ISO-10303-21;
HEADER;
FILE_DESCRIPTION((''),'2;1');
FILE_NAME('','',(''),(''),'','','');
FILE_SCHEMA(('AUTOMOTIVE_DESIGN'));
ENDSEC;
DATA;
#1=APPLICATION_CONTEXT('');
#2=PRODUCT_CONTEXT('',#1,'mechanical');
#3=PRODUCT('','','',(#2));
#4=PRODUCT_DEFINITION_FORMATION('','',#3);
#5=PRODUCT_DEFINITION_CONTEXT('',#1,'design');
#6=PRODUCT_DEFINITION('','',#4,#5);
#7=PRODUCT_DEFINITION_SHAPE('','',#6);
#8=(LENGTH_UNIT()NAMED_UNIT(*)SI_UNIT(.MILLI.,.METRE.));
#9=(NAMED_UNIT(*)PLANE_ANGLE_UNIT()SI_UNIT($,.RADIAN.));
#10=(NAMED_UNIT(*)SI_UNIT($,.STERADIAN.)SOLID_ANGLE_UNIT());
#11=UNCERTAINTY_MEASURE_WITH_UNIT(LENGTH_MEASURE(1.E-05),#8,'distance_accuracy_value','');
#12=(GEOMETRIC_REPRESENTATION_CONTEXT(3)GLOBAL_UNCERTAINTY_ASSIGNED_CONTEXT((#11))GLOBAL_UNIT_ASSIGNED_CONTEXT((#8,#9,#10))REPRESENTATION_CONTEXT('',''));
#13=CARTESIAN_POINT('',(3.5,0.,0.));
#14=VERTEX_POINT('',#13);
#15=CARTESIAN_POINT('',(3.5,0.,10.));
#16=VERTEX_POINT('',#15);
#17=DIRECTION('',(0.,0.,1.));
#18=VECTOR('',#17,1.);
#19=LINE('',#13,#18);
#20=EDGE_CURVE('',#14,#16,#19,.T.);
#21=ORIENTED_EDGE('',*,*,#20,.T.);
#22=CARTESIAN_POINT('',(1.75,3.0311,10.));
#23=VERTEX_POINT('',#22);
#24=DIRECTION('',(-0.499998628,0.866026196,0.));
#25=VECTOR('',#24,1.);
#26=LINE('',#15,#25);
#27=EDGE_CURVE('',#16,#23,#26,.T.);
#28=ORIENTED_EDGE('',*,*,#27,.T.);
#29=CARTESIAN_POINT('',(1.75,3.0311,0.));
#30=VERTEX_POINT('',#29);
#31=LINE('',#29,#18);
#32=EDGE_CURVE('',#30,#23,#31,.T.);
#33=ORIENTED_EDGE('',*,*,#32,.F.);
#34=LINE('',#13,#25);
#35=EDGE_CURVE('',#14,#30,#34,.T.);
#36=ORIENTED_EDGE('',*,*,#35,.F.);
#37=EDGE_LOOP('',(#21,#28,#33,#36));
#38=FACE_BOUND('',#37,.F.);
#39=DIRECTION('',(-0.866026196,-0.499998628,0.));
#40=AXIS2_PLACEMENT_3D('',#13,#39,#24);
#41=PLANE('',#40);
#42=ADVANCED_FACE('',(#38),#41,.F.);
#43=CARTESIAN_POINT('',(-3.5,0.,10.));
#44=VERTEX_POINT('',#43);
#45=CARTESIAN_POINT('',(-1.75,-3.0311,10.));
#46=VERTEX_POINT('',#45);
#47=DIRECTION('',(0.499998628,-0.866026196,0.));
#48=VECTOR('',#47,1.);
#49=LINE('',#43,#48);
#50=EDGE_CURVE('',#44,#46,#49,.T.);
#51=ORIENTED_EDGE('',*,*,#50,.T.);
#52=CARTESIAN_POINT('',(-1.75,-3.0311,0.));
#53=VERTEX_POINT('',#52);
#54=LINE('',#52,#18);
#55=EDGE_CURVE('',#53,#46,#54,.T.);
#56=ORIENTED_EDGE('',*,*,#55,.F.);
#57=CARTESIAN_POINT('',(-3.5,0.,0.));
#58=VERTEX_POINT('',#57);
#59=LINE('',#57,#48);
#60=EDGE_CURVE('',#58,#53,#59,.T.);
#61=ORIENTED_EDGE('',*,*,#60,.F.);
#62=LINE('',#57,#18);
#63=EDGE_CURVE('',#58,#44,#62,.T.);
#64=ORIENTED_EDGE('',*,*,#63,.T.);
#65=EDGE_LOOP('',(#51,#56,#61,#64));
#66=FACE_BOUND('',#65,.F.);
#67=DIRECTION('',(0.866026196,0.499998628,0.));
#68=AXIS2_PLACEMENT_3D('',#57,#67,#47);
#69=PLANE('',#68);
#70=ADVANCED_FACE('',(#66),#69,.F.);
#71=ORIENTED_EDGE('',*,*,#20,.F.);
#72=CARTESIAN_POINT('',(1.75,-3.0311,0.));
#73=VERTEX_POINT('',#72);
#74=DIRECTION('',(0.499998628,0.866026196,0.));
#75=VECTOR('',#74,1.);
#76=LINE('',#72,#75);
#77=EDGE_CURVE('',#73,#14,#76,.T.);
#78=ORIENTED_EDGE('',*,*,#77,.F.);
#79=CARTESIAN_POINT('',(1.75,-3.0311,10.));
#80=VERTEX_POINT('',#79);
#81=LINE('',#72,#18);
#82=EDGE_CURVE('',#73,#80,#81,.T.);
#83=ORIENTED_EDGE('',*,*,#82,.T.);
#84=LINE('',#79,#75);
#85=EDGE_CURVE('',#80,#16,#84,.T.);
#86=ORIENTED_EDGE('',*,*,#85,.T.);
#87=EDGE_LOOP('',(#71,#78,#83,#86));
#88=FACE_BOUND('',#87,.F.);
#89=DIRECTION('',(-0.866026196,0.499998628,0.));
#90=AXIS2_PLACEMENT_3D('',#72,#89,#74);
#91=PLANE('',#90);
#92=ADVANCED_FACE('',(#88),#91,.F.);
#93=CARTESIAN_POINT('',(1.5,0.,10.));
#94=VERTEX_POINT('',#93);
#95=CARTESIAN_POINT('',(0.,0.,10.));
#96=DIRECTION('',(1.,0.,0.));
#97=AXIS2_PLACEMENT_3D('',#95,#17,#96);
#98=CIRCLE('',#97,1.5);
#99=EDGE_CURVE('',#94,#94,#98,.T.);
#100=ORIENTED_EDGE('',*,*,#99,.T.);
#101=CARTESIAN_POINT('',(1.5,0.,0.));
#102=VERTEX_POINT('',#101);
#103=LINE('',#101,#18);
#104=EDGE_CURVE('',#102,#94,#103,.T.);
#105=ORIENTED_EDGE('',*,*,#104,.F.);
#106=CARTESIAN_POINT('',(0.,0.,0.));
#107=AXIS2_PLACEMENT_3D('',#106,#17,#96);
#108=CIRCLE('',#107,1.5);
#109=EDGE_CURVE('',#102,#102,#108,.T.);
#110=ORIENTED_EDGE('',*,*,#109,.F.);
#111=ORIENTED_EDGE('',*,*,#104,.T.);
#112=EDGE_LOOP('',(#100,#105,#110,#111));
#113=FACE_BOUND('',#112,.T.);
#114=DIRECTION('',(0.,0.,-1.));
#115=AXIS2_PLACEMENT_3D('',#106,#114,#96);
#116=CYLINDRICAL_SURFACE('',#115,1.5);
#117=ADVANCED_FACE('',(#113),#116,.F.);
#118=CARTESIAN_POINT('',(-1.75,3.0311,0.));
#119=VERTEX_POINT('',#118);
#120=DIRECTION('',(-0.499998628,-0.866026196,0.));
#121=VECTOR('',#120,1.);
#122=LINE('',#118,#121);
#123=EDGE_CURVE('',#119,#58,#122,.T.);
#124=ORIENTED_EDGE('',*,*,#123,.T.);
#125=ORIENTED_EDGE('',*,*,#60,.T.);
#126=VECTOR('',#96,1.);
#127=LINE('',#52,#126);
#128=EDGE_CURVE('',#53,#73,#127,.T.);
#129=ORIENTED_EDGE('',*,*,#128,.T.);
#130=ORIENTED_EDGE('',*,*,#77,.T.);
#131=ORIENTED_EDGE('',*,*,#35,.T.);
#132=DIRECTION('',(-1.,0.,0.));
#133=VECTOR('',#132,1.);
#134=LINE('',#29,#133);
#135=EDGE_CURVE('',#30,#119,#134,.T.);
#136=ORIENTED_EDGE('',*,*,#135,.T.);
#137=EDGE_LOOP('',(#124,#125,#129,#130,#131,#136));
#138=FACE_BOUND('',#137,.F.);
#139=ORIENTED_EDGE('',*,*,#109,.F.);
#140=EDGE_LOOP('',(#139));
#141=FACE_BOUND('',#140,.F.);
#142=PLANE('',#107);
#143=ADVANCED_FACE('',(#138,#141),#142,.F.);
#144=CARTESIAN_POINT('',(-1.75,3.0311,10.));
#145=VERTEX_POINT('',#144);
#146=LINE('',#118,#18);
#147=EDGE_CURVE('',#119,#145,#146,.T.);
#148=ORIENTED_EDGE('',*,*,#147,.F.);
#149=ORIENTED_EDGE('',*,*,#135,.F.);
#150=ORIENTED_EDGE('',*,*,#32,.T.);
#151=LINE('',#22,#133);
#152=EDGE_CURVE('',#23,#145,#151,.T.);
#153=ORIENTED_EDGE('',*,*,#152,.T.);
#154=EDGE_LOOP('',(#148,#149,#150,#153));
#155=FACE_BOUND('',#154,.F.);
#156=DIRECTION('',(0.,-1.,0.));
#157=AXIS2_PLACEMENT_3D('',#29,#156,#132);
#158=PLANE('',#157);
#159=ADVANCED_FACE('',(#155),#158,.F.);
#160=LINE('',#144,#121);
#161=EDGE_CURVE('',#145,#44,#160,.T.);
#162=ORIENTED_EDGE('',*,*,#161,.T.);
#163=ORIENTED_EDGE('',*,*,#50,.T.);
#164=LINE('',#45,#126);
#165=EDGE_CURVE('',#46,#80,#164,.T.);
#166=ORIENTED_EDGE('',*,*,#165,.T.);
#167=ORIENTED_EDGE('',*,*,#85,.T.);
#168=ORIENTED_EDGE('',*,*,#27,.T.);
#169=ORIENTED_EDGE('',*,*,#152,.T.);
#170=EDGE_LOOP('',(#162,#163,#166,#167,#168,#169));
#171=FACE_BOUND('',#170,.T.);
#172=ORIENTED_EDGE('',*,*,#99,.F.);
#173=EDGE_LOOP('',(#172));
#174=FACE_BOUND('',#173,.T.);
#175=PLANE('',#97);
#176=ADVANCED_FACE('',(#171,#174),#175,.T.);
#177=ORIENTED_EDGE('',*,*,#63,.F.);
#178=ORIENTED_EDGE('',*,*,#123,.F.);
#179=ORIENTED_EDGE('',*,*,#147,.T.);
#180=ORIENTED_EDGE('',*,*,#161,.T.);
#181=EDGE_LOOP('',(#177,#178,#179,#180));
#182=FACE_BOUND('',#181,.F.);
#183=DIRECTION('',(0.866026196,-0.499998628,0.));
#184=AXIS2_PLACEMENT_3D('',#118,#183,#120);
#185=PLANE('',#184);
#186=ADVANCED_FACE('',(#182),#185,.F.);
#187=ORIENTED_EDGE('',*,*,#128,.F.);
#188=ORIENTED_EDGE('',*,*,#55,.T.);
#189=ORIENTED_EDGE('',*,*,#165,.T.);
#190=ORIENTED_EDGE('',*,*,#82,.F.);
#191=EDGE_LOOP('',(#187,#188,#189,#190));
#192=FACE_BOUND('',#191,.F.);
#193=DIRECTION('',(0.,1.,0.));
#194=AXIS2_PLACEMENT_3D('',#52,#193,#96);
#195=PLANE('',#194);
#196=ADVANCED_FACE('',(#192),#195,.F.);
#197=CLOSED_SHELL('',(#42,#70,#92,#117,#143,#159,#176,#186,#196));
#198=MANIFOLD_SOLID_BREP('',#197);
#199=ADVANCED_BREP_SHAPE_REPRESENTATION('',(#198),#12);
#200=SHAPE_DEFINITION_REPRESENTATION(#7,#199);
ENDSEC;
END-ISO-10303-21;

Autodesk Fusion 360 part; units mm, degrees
sketch "スケッチ1" plane through (0, 0, 0) normal (0, 0, 1) x (1, 0, 0)
  line L0 (3.5, 0) -> (1.75, 3.0311)
  line L1 (1.75, 3.0311) -> (-1.75, 3.0311)
  line L2 (-1.75, 3.0311) -> (-3.5, 0)
  line L3 (-3.5, 0) -> (-1.75, -3.0311)
  line L4 (-1.75, -3.0311) -> (1.75, -3.0311)
  line L5 (1.75, -3.0311) -> (3.5, 0)
  circle A0 centre (0, 0) radius 1.5
  dimension "d1" = 3
extrude "押し出し1" add sketch "スケッチ1" along normal blind 10
